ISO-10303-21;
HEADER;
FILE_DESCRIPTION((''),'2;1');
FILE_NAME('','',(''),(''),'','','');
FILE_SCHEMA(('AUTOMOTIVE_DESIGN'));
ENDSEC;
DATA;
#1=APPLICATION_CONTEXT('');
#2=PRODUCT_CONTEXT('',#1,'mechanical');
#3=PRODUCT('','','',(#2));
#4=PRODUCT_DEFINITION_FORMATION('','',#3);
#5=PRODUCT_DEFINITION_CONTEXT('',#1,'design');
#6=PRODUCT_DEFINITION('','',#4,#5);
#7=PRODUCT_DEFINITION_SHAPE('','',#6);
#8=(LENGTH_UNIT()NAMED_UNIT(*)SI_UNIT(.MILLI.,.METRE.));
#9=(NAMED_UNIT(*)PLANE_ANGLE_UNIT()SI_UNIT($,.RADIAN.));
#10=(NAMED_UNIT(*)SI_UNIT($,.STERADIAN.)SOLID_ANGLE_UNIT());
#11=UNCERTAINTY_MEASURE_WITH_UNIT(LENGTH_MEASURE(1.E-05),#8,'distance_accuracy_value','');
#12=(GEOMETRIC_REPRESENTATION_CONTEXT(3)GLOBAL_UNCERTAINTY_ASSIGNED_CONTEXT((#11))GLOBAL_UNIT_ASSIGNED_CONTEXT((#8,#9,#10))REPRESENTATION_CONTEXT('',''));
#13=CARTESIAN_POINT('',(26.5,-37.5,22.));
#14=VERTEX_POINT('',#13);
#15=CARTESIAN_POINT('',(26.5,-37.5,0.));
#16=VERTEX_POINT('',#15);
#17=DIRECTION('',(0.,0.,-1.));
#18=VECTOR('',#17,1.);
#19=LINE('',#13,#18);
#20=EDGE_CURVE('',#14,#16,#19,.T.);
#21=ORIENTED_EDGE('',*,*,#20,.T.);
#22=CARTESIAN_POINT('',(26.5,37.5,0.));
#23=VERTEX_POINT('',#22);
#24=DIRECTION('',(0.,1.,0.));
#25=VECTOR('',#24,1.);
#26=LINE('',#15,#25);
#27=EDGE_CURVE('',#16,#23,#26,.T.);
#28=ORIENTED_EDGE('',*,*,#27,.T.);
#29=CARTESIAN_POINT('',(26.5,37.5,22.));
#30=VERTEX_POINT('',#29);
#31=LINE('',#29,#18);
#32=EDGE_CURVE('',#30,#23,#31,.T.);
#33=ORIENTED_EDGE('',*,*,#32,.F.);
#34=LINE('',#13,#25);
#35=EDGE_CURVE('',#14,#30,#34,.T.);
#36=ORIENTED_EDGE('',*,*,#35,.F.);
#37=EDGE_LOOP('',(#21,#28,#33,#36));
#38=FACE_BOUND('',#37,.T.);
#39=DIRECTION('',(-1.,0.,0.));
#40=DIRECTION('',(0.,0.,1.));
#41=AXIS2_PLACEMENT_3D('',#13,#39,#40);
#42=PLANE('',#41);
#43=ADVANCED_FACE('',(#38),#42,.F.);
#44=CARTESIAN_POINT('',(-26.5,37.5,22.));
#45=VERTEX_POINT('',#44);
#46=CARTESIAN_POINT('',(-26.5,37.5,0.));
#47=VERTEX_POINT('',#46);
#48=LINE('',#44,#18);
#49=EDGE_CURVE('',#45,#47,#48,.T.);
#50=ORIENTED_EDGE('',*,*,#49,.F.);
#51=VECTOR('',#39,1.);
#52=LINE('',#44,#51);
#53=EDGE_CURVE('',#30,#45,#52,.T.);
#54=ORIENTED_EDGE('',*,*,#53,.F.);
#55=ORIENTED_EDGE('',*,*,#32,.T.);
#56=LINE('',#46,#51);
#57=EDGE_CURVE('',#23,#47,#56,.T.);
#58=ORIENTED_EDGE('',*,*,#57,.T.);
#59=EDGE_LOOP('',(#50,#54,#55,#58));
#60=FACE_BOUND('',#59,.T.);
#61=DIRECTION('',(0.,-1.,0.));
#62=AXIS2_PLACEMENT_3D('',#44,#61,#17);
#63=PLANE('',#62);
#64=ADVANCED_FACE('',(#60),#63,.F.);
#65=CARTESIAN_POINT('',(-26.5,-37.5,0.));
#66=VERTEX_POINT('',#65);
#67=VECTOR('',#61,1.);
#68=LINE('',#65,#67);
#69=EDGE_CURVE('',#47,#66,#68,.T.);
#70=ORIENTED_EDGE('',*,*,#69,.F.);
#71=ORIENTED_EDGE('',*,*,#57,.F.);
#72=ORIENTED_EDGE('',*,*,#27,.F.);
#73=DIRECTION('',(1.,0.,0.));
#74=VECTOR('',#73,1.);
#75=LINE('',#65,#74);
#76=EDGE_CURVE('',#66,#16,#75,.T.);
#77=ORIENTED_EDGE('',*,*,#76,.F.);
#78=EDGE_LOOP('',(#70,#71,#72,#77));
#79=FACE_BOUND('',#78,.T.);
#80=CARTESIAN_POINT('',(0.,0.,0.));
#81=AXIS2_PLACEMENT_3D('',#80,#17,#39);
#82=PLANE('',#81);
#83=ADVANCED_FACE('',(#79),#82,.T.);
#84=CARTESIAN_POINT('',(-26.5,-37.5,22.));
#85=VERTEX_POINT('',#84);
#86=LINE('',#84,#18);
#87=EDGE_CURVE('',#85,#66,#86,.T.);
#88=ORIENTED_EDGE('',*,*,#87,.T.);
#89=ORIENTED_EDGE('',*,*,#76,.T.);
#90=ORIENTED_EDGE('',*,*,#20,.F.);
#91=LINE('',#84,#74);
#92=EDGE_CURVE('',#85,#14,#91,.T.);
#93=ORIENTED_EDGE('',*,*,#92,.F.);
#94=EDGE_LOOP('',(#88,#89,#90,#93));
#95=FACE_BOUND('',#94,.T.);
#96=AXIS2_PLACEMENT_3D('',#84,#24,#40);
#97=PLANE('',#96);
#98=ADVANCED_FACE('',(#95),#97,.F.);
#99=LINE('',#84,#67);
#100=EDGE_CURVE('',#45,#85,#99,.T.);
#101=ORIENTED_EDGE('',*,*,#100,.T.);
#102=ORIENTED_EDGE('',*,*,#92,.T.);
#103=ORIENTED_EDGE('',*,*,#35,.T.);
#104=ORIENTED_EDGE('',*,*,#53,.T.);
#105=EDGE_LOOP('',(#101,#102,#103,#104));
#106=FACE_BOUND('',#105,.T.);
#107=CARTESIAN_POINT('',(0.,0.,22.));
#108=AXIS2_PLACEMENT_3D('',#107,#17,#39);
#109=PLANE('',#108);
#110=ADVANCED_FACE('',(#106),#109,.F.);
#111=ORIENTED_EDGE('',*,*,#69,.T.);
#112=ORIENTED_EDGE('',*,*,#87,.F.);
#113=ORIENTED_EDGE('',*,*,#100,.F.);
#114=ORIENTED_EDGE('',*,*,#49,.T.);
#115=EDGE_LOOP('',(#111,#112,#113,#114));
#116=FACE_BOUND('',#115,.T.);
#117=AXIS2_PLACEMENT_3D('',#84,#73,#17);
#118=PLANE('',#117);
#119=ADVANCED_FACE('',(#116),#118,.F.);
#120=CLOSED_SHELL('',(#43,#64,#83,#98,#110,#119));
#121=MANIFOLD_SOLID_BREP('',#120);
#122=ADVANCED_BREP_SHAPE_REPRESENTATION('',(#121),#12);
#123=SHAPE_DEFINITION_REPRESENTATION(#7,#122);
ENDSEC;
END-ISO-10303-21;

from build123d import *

# Parameters (mm, degrees)
SKETCH1_W      = 53
SKETCH1_H      = 75
ENVELOPE_DEPTH = 22


with BuildPart() as part:
    # Sketch1 → Envelope (new body)
    with BuildSketch(Plane.XY):
        Rectangle(SKETCH1_W, SKETCH1_H)
    extrude(amount=ENVELOPE_DEPTH)


solid = part.part
